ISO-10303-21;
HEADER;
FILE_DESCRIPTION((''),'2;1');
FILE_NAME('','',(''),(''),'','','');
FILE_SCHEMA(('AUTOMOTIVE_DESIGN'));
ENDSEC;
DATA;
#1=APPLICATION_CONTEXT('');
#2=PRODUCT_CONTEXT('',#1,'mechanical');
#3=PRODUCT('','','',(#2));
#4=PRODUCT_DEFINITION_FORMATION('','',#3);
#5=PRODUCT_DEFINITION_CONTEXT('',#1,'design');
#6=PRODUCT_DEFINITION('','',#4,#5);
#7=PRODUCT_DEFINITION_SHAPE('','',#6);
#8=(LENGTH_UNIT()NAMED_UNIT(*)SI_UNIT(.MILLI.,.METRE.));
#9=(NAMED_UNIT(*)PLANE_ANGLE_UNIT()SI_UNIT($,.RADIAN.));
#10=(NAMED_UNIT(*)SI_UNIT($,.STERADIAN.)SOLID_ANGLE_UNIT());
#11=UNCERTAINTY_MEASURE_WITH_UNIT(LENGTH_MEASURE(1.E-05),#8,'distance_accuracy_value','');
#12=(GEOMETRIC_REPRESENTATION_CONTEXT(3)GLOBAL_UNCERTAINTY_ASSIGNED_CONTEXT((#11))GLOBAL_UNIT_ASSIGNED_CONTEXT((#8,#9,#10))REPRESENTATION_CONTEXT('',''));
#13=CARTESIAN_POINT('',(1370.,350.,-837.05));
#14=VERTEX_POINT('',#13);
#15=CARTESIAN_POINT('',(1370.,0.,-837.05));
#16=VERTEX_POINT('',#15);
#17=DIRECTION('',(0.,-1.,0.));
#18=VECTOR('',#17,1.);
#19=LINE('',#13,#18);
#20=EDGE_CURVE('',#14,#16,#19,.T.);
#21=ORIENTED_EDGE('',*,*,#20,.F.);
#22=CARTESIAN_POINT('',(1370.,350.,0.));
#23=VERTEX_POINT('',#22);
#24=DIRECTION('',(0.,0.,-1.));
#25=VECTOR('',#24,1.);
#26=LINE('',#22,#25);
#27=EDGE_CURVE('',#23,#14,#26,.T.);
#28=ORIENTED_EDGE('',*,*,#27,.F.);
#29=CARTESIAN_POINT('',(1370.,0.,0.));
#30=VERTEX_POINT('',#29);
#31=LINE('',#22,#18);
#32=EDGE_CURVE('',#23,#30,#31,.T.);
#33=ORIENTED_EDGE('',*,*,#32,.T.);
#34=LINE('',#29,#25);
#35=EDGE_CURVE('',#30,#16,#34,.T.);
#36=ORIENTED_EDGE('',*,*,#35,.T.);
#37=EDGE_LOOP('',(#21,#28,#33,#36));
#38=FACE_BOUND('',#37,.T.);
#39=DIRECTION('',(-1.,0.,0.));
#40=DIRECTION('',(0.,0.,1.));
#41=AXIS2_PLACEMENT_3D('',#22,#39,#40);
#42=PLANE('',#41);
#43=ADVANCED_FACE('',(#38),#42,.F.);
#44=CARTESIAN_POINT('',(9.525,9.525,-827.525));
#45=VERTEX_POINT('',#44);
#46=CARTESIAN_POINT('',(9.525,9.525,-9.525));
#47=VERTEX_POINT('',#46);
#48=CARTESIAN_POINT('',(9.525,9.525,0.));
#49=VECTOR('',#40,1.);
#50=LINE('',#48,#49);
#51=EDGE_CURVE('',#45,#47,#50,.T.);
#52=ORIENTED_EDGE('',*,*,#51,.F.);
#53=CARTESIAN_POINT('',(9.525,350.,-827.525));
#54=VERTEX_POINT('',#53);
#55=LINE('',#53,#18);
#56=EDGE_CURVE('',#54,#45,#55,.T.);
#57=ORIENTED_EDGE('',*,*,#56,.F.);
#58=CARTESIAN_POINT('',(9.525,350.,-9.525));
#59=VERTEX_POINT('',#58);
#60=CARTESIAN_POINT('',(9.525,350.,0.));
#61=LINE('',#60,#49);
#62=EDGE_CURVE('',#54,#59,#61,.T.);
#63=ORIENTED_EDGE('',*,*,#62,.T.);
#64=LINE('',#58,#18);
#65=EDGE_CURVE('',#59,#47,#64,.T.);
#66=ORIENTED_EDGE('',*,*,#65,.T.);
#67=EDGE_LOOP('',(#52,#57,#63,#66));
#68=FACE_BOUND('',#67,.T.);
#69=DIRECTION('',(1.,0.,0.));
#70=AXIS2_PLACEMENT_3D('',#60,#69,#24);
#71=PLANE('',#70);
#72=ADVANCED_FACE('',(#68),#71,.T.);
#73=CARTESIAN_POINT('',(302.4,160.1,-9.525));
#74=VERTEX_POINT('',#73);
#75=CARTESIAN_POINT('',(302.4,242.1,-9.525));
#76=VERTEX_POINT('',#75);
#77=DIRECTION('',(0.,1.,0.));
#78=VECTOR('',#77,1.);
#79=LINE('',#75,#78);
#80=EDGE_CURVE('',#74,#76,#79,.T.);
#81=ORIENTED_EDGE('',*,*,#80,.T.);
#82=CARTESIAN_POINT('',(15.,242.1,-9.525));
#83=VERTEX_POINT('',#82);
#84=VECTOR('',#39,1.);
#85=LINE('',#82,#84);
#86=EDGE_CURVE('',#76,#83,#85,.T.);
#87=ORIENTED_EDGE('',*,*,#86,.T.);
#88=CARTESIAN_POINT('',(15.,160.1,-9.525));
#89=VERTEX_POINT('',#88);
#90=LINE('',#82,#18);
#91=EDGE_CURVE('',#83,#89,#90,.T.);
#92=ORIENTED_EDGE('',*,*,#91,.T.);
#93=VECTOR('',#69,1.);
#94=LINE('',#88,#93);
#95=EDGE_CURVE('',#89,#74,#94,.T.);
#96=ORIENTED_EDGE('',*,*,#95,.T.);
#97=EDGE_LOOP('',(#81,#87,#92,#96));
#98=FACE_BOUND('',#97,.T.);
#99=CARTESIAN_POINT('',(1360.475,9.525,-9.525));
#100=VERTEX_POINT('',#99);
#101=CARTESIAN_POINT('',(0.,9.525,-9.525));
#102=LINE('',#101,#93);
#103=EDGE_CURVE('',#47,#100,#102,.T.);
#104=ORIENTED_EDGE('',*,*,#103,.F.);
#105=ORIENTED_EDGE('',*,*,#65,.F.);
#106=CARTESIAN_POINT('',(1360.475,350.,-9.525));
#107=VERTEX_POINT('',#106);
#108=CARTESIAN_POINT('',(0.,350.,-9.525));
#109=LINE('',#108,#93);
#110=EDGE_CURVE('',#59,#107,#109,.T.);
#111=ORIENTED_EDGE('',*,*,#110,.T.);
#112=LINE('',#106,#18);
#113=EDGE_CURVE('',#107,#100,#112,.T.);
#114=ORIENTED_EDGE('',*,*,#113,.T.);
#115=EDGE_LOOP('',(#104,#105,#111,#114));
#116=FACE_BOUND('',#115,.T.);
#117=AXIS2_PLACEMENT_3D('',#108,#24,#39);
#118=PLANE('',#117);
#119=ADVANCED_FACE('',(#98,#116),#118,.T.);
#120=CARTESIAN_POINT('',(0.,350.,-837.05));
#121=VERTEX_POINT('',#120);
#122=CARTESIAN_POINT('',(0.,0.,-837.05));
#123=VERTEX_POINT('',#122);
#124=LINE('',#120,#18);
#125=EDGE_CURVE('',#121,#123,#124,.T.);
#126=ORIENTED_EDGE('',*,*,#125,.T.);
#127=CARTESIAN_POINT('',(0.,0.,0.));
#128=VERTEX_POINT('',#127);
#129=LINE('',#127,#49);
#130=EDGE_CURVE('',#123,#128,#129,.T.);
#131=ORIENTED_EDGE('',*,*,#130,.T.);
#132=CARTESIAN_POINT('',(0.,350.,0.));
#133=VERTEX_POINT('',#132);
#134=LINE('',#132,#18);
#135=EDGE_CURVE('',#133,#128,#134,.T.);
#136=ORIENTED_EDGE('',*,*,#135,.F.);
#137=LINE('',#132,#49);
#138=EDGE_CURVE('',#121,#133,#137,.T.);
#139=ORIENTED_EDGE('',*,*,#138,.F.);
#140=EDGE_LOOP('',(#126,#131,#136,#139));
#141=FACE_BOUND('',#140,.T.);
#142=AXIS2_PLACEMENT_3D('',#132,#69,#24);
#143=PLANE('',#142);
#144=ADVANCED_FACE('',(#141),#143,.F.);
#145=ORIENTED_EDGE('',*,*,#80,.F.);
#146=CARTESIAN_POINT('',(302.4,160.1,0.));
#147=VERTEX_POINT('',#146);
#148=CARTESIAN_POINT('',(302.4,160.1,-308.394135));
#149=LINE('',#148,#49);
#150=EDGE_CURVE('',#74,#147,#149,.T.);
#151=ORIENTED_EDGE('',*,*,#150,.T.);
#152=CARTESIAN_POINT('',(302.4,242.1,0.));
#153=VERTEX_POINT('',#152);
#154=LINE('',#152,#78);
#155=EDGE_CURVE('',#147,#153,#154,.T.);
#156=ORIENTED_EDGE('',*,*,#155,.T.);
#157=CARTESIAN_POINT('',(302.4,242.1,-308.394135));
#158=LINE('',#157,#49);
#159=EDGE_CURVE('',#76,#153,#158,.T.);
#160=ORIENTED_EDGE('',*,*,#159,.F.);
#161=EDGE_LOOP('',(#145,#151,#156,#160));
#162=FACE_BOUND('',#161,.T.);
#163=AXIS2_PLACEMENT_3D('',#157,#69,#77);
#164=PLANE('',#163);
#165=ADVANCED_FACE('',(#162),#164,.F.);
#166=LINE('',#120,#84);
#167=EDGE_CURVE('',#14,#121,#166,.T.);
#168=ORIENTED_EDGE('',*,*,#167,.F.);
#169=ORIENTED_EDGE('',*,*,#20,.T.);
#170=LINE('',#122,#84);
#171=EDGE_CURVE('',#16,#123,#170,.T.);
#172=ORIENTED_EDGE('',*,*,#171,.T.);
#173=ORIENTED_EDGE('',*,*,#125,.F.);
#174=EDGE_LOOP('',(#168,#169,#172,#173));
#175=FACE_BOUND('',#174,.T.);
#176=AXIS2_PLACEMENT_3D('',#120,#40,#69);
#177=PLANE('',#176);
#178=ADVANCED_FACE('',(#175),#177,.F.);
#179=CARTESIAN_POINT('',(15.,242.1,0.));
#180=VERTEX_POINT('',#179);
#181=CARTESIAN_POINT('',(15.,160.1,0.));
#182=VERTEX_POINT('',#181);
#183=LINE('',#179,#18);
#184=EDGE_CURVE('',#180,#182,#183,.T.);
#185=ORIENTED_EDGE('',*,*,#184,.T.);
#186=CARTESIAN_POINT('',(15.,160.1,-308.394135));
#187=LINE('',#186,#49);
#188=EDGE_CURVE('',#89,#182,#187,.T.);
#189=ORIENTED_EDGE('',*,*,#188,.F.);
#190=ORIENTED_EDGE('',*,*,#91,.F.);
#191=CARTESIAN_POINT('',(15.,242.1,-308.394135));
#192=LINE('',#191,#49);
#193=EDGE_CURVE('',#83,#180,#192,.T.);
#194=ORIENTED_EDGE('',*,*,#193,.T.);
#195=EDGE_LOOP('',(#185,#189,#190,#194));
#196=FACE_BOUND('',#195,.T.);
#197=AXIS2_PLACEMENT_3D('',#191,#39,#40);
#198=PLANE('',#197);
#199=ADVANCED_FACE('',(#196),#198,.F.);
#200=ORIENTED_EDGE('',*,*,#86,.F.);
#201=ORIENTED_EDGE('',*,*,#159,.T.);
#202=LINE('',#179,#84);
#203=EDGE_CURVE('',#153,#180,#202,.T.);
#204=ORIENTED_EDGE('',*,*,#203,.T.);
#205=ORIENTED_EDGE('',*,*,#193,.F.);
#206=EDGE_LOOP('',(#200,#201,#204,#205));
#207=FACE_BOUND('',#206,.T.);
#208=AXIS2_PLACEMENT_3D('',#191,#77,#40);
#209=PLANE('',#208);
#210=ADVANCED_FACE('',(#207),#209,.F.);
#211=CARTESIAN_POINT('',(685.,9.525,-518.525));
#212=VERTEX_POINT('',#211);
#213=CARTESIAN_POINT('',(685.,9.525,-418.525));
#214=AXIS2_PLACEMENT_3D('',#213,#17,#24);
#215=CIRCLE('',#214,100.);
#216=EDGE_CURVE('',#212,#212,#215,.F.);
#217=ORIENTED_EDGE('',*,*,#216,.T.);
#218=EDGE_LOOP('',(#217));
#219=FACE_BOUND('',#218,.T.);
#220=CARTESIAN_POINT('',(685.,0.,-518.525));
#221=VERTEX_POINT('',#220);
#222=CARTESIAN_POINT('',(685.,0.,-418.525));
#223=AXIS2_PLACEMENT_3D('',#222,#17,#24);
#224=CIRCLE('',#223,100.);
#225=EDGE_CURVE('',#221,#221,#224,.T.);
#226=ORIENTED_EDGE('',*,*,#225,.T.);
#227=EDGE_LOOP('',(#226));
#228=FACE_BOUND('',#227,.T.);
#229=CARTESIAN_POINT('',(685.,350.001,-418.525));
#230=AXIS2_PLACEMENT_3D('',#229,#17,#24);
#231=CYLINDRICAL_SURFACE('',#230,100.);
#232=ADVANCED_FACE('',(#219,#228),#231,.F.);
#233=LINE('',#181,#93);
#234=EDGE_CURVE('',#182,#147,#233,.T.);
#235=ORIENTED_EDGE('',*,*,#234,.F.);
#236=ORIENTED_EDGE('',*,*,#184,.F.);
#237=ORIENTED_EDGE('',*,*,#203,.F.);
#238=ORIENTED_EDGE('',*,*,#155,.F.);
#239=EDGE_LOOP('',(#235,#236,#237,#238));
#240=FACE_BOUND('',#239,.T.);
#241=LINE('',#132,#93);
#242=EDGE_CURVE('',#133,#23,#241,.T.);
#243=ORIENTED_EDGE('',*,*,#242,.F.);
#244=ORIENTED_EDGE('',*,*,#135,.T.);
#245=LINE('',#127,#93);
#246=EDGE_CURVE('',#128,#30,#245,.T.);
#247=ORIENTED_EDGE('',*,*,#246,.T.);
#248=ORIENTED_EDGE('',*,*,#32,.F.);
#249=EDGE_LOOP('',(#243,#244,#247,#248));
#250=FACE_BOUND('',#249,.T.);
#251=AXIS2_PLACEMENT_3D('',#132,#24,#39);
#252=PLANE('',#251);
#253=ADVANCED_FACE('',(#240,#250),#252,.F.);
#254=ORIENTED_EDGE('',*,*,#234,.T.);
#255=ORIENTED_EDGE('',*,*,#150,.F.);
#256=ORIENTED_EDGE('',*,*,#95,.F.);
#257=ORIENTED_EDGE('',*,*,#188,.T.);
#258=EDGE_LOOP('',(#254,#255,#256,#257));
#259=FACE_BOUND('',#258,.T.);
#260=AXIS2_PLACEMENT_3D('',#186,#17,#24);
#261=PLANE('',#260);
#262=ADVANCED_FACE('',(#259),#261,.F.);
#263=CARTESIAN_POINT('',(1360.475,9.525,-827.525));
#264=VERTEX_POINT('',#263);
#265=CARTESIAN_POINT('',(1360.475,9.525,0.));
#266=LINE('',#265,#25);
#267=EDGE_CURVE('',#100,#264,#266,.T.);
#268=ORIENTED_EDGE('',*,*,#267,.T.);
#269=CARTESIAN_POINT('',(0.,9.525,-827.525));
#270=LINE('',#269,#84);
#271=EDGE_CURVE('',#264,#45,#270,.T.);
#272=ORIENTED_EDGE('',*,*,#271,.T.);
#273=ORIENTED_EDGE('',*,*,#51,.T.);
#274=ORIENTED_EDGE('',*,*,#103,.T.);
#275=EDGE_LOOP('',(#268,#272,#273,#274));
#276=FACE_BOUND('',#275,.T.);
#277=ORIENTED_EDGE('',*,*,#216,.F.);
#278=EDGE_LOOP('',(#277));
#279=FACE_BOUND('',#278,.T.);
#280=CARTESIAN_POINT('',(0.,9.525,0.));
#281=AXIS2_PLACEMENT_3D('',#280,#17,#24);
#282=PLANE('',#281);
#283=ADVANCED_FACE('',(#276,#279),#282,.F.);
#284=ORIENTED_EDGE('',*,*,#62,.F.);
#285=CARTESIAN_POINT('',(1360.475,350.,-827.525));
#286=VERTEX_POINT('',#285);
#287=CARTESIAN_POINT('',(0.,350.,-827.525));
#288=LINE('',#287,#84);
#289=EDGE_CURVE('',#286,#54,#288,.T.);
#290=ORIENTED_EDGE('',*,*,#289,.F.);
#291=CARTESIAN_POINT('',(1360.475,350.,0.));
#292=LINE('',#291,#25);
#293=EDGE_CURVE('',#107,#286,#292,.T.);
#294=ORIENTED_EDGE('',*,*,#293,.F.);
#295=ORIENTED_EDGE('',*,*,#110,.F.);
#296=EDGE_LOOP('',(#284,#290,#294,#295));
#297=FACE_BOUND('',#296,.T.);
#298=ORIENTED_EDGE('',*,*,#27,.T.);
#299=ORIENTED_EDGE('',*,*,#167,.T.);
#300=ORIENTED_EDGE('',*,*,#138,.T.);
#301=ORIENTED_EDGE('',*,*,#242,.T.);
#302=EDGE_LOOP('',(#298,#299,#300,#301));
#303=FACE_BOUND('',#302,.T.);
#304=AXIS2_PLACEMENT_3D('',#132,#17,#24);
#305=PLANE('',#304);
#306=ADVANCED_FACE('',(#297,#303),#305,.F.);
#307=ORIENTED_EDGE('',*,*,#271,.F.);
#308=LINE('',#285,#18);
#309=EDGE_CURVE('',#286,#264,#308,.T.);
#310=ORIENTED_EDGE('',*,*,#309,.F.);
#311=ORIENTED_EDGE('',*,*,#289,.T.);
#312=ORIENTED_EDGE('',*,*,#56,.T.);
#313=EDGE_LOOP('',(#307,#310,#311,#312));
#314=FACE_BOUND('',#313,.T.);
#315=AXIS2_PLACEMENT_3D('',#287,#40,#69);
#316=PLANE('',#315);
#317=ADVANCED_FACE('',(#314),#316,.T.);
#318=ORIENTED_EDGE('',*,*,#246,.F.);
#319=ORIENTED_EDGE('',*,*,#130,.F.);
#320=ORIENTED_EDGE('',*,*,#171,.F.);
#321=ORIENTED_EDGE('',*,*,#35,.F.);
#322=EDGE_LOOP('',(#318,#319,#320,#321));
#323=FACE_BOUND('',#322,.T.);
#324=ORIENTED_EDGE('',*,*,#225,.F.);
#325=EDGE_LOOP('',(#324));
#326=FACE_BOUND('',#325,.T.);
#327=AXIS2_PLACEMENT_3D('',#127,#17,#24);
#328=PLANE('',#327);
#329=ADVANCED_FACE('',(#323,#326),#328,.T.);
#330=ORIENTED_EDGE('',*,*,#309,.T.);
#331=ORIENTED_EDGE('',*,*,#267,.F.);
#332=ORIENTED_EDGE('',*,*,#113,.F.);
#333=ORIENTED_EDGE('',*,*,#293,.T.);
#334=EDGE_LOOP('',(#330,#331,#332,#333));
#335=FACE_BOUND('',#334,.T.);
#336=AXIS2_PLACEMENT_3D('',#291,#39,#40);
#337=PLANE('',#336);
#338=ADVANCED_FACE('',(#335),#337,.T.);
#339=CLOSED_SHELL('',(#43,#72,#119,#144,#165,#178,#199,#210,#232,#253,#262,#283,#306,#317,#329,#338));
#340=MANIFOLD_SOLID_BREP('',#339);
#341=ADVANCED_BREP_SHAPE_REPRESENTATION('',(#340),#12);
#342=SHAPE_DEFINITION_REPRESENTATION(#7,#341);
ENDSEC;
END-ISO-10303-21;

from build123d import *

# Parameters (mm, degrees)
SKETCH1_W           = 1370
SKETCH1_H           = 837.05
BOSS_EXTRUDE1_DEPTH = 350
SHELL1_T            = -9.525
SKETCH3_W           = 287.4
SKETCH3_H           = 82
CUT_EXTRUDE1_DEPTH  = 9.525
CUT_EXTRUDE2_REACH  = 1645.184
SKETCH7_R           = 100


with BuildPart() as part:
    # Sketch1 → Boss-Extrude1 (new body)
    with BuildSketch(Plane(origin=(0, 0, 0), x_dir=(1, 0, 0), z_dir=(0, 1, 0))):
        with Locations((685, 418.525)):
            Rectangle(SKETCH1_W, SKETCH1_H)
    extrude(amount=BOSS_EXTRUDE1_DEPTH)

    # Shell1
    shell1_openings = [part.faces().sort_by_distance(p)[0] for p in [
        (685, 350, -418.525),
    ]]
    offset(amount=SHELL1_T, openings=shell1_openings, kind=Kind.INTERSECTION)

    # Sketch3 → Cut-Extrude1 (cut)
    with BuildSketch(Plane.XY):
        with Locations((158.7, 201.1)):
            Rectangle(SKETCH3_W, SKETCH3_H)
    extrude(amount=-CUT_EXTRUDE1_DEPTH, mode=Mode.SUBTRACT)

    # Sketch7 → Cut-Extrude2 (cut, up to next)
    with BuildSketch(Plane.XZ, mode=Mode.PRIVATE) as cut_extrude2_sk1:
        with Locations(Location((685, -418.525, 0), (0, 0, 270))):
            Circle(SKETCH7_R)
    cut_extrude2_tool1 = extrude(cut_extrude2_sk1.sketch, amount=-CUT_EXTRUDE2_REACH, mode=Mode.PRIVATE) & part.part
    add(cut_extrude2_tool1.solids().sort_by_distance((685, 0, -418.525))[0], mode=Mode.SUBTRACT)


solid = part.part
